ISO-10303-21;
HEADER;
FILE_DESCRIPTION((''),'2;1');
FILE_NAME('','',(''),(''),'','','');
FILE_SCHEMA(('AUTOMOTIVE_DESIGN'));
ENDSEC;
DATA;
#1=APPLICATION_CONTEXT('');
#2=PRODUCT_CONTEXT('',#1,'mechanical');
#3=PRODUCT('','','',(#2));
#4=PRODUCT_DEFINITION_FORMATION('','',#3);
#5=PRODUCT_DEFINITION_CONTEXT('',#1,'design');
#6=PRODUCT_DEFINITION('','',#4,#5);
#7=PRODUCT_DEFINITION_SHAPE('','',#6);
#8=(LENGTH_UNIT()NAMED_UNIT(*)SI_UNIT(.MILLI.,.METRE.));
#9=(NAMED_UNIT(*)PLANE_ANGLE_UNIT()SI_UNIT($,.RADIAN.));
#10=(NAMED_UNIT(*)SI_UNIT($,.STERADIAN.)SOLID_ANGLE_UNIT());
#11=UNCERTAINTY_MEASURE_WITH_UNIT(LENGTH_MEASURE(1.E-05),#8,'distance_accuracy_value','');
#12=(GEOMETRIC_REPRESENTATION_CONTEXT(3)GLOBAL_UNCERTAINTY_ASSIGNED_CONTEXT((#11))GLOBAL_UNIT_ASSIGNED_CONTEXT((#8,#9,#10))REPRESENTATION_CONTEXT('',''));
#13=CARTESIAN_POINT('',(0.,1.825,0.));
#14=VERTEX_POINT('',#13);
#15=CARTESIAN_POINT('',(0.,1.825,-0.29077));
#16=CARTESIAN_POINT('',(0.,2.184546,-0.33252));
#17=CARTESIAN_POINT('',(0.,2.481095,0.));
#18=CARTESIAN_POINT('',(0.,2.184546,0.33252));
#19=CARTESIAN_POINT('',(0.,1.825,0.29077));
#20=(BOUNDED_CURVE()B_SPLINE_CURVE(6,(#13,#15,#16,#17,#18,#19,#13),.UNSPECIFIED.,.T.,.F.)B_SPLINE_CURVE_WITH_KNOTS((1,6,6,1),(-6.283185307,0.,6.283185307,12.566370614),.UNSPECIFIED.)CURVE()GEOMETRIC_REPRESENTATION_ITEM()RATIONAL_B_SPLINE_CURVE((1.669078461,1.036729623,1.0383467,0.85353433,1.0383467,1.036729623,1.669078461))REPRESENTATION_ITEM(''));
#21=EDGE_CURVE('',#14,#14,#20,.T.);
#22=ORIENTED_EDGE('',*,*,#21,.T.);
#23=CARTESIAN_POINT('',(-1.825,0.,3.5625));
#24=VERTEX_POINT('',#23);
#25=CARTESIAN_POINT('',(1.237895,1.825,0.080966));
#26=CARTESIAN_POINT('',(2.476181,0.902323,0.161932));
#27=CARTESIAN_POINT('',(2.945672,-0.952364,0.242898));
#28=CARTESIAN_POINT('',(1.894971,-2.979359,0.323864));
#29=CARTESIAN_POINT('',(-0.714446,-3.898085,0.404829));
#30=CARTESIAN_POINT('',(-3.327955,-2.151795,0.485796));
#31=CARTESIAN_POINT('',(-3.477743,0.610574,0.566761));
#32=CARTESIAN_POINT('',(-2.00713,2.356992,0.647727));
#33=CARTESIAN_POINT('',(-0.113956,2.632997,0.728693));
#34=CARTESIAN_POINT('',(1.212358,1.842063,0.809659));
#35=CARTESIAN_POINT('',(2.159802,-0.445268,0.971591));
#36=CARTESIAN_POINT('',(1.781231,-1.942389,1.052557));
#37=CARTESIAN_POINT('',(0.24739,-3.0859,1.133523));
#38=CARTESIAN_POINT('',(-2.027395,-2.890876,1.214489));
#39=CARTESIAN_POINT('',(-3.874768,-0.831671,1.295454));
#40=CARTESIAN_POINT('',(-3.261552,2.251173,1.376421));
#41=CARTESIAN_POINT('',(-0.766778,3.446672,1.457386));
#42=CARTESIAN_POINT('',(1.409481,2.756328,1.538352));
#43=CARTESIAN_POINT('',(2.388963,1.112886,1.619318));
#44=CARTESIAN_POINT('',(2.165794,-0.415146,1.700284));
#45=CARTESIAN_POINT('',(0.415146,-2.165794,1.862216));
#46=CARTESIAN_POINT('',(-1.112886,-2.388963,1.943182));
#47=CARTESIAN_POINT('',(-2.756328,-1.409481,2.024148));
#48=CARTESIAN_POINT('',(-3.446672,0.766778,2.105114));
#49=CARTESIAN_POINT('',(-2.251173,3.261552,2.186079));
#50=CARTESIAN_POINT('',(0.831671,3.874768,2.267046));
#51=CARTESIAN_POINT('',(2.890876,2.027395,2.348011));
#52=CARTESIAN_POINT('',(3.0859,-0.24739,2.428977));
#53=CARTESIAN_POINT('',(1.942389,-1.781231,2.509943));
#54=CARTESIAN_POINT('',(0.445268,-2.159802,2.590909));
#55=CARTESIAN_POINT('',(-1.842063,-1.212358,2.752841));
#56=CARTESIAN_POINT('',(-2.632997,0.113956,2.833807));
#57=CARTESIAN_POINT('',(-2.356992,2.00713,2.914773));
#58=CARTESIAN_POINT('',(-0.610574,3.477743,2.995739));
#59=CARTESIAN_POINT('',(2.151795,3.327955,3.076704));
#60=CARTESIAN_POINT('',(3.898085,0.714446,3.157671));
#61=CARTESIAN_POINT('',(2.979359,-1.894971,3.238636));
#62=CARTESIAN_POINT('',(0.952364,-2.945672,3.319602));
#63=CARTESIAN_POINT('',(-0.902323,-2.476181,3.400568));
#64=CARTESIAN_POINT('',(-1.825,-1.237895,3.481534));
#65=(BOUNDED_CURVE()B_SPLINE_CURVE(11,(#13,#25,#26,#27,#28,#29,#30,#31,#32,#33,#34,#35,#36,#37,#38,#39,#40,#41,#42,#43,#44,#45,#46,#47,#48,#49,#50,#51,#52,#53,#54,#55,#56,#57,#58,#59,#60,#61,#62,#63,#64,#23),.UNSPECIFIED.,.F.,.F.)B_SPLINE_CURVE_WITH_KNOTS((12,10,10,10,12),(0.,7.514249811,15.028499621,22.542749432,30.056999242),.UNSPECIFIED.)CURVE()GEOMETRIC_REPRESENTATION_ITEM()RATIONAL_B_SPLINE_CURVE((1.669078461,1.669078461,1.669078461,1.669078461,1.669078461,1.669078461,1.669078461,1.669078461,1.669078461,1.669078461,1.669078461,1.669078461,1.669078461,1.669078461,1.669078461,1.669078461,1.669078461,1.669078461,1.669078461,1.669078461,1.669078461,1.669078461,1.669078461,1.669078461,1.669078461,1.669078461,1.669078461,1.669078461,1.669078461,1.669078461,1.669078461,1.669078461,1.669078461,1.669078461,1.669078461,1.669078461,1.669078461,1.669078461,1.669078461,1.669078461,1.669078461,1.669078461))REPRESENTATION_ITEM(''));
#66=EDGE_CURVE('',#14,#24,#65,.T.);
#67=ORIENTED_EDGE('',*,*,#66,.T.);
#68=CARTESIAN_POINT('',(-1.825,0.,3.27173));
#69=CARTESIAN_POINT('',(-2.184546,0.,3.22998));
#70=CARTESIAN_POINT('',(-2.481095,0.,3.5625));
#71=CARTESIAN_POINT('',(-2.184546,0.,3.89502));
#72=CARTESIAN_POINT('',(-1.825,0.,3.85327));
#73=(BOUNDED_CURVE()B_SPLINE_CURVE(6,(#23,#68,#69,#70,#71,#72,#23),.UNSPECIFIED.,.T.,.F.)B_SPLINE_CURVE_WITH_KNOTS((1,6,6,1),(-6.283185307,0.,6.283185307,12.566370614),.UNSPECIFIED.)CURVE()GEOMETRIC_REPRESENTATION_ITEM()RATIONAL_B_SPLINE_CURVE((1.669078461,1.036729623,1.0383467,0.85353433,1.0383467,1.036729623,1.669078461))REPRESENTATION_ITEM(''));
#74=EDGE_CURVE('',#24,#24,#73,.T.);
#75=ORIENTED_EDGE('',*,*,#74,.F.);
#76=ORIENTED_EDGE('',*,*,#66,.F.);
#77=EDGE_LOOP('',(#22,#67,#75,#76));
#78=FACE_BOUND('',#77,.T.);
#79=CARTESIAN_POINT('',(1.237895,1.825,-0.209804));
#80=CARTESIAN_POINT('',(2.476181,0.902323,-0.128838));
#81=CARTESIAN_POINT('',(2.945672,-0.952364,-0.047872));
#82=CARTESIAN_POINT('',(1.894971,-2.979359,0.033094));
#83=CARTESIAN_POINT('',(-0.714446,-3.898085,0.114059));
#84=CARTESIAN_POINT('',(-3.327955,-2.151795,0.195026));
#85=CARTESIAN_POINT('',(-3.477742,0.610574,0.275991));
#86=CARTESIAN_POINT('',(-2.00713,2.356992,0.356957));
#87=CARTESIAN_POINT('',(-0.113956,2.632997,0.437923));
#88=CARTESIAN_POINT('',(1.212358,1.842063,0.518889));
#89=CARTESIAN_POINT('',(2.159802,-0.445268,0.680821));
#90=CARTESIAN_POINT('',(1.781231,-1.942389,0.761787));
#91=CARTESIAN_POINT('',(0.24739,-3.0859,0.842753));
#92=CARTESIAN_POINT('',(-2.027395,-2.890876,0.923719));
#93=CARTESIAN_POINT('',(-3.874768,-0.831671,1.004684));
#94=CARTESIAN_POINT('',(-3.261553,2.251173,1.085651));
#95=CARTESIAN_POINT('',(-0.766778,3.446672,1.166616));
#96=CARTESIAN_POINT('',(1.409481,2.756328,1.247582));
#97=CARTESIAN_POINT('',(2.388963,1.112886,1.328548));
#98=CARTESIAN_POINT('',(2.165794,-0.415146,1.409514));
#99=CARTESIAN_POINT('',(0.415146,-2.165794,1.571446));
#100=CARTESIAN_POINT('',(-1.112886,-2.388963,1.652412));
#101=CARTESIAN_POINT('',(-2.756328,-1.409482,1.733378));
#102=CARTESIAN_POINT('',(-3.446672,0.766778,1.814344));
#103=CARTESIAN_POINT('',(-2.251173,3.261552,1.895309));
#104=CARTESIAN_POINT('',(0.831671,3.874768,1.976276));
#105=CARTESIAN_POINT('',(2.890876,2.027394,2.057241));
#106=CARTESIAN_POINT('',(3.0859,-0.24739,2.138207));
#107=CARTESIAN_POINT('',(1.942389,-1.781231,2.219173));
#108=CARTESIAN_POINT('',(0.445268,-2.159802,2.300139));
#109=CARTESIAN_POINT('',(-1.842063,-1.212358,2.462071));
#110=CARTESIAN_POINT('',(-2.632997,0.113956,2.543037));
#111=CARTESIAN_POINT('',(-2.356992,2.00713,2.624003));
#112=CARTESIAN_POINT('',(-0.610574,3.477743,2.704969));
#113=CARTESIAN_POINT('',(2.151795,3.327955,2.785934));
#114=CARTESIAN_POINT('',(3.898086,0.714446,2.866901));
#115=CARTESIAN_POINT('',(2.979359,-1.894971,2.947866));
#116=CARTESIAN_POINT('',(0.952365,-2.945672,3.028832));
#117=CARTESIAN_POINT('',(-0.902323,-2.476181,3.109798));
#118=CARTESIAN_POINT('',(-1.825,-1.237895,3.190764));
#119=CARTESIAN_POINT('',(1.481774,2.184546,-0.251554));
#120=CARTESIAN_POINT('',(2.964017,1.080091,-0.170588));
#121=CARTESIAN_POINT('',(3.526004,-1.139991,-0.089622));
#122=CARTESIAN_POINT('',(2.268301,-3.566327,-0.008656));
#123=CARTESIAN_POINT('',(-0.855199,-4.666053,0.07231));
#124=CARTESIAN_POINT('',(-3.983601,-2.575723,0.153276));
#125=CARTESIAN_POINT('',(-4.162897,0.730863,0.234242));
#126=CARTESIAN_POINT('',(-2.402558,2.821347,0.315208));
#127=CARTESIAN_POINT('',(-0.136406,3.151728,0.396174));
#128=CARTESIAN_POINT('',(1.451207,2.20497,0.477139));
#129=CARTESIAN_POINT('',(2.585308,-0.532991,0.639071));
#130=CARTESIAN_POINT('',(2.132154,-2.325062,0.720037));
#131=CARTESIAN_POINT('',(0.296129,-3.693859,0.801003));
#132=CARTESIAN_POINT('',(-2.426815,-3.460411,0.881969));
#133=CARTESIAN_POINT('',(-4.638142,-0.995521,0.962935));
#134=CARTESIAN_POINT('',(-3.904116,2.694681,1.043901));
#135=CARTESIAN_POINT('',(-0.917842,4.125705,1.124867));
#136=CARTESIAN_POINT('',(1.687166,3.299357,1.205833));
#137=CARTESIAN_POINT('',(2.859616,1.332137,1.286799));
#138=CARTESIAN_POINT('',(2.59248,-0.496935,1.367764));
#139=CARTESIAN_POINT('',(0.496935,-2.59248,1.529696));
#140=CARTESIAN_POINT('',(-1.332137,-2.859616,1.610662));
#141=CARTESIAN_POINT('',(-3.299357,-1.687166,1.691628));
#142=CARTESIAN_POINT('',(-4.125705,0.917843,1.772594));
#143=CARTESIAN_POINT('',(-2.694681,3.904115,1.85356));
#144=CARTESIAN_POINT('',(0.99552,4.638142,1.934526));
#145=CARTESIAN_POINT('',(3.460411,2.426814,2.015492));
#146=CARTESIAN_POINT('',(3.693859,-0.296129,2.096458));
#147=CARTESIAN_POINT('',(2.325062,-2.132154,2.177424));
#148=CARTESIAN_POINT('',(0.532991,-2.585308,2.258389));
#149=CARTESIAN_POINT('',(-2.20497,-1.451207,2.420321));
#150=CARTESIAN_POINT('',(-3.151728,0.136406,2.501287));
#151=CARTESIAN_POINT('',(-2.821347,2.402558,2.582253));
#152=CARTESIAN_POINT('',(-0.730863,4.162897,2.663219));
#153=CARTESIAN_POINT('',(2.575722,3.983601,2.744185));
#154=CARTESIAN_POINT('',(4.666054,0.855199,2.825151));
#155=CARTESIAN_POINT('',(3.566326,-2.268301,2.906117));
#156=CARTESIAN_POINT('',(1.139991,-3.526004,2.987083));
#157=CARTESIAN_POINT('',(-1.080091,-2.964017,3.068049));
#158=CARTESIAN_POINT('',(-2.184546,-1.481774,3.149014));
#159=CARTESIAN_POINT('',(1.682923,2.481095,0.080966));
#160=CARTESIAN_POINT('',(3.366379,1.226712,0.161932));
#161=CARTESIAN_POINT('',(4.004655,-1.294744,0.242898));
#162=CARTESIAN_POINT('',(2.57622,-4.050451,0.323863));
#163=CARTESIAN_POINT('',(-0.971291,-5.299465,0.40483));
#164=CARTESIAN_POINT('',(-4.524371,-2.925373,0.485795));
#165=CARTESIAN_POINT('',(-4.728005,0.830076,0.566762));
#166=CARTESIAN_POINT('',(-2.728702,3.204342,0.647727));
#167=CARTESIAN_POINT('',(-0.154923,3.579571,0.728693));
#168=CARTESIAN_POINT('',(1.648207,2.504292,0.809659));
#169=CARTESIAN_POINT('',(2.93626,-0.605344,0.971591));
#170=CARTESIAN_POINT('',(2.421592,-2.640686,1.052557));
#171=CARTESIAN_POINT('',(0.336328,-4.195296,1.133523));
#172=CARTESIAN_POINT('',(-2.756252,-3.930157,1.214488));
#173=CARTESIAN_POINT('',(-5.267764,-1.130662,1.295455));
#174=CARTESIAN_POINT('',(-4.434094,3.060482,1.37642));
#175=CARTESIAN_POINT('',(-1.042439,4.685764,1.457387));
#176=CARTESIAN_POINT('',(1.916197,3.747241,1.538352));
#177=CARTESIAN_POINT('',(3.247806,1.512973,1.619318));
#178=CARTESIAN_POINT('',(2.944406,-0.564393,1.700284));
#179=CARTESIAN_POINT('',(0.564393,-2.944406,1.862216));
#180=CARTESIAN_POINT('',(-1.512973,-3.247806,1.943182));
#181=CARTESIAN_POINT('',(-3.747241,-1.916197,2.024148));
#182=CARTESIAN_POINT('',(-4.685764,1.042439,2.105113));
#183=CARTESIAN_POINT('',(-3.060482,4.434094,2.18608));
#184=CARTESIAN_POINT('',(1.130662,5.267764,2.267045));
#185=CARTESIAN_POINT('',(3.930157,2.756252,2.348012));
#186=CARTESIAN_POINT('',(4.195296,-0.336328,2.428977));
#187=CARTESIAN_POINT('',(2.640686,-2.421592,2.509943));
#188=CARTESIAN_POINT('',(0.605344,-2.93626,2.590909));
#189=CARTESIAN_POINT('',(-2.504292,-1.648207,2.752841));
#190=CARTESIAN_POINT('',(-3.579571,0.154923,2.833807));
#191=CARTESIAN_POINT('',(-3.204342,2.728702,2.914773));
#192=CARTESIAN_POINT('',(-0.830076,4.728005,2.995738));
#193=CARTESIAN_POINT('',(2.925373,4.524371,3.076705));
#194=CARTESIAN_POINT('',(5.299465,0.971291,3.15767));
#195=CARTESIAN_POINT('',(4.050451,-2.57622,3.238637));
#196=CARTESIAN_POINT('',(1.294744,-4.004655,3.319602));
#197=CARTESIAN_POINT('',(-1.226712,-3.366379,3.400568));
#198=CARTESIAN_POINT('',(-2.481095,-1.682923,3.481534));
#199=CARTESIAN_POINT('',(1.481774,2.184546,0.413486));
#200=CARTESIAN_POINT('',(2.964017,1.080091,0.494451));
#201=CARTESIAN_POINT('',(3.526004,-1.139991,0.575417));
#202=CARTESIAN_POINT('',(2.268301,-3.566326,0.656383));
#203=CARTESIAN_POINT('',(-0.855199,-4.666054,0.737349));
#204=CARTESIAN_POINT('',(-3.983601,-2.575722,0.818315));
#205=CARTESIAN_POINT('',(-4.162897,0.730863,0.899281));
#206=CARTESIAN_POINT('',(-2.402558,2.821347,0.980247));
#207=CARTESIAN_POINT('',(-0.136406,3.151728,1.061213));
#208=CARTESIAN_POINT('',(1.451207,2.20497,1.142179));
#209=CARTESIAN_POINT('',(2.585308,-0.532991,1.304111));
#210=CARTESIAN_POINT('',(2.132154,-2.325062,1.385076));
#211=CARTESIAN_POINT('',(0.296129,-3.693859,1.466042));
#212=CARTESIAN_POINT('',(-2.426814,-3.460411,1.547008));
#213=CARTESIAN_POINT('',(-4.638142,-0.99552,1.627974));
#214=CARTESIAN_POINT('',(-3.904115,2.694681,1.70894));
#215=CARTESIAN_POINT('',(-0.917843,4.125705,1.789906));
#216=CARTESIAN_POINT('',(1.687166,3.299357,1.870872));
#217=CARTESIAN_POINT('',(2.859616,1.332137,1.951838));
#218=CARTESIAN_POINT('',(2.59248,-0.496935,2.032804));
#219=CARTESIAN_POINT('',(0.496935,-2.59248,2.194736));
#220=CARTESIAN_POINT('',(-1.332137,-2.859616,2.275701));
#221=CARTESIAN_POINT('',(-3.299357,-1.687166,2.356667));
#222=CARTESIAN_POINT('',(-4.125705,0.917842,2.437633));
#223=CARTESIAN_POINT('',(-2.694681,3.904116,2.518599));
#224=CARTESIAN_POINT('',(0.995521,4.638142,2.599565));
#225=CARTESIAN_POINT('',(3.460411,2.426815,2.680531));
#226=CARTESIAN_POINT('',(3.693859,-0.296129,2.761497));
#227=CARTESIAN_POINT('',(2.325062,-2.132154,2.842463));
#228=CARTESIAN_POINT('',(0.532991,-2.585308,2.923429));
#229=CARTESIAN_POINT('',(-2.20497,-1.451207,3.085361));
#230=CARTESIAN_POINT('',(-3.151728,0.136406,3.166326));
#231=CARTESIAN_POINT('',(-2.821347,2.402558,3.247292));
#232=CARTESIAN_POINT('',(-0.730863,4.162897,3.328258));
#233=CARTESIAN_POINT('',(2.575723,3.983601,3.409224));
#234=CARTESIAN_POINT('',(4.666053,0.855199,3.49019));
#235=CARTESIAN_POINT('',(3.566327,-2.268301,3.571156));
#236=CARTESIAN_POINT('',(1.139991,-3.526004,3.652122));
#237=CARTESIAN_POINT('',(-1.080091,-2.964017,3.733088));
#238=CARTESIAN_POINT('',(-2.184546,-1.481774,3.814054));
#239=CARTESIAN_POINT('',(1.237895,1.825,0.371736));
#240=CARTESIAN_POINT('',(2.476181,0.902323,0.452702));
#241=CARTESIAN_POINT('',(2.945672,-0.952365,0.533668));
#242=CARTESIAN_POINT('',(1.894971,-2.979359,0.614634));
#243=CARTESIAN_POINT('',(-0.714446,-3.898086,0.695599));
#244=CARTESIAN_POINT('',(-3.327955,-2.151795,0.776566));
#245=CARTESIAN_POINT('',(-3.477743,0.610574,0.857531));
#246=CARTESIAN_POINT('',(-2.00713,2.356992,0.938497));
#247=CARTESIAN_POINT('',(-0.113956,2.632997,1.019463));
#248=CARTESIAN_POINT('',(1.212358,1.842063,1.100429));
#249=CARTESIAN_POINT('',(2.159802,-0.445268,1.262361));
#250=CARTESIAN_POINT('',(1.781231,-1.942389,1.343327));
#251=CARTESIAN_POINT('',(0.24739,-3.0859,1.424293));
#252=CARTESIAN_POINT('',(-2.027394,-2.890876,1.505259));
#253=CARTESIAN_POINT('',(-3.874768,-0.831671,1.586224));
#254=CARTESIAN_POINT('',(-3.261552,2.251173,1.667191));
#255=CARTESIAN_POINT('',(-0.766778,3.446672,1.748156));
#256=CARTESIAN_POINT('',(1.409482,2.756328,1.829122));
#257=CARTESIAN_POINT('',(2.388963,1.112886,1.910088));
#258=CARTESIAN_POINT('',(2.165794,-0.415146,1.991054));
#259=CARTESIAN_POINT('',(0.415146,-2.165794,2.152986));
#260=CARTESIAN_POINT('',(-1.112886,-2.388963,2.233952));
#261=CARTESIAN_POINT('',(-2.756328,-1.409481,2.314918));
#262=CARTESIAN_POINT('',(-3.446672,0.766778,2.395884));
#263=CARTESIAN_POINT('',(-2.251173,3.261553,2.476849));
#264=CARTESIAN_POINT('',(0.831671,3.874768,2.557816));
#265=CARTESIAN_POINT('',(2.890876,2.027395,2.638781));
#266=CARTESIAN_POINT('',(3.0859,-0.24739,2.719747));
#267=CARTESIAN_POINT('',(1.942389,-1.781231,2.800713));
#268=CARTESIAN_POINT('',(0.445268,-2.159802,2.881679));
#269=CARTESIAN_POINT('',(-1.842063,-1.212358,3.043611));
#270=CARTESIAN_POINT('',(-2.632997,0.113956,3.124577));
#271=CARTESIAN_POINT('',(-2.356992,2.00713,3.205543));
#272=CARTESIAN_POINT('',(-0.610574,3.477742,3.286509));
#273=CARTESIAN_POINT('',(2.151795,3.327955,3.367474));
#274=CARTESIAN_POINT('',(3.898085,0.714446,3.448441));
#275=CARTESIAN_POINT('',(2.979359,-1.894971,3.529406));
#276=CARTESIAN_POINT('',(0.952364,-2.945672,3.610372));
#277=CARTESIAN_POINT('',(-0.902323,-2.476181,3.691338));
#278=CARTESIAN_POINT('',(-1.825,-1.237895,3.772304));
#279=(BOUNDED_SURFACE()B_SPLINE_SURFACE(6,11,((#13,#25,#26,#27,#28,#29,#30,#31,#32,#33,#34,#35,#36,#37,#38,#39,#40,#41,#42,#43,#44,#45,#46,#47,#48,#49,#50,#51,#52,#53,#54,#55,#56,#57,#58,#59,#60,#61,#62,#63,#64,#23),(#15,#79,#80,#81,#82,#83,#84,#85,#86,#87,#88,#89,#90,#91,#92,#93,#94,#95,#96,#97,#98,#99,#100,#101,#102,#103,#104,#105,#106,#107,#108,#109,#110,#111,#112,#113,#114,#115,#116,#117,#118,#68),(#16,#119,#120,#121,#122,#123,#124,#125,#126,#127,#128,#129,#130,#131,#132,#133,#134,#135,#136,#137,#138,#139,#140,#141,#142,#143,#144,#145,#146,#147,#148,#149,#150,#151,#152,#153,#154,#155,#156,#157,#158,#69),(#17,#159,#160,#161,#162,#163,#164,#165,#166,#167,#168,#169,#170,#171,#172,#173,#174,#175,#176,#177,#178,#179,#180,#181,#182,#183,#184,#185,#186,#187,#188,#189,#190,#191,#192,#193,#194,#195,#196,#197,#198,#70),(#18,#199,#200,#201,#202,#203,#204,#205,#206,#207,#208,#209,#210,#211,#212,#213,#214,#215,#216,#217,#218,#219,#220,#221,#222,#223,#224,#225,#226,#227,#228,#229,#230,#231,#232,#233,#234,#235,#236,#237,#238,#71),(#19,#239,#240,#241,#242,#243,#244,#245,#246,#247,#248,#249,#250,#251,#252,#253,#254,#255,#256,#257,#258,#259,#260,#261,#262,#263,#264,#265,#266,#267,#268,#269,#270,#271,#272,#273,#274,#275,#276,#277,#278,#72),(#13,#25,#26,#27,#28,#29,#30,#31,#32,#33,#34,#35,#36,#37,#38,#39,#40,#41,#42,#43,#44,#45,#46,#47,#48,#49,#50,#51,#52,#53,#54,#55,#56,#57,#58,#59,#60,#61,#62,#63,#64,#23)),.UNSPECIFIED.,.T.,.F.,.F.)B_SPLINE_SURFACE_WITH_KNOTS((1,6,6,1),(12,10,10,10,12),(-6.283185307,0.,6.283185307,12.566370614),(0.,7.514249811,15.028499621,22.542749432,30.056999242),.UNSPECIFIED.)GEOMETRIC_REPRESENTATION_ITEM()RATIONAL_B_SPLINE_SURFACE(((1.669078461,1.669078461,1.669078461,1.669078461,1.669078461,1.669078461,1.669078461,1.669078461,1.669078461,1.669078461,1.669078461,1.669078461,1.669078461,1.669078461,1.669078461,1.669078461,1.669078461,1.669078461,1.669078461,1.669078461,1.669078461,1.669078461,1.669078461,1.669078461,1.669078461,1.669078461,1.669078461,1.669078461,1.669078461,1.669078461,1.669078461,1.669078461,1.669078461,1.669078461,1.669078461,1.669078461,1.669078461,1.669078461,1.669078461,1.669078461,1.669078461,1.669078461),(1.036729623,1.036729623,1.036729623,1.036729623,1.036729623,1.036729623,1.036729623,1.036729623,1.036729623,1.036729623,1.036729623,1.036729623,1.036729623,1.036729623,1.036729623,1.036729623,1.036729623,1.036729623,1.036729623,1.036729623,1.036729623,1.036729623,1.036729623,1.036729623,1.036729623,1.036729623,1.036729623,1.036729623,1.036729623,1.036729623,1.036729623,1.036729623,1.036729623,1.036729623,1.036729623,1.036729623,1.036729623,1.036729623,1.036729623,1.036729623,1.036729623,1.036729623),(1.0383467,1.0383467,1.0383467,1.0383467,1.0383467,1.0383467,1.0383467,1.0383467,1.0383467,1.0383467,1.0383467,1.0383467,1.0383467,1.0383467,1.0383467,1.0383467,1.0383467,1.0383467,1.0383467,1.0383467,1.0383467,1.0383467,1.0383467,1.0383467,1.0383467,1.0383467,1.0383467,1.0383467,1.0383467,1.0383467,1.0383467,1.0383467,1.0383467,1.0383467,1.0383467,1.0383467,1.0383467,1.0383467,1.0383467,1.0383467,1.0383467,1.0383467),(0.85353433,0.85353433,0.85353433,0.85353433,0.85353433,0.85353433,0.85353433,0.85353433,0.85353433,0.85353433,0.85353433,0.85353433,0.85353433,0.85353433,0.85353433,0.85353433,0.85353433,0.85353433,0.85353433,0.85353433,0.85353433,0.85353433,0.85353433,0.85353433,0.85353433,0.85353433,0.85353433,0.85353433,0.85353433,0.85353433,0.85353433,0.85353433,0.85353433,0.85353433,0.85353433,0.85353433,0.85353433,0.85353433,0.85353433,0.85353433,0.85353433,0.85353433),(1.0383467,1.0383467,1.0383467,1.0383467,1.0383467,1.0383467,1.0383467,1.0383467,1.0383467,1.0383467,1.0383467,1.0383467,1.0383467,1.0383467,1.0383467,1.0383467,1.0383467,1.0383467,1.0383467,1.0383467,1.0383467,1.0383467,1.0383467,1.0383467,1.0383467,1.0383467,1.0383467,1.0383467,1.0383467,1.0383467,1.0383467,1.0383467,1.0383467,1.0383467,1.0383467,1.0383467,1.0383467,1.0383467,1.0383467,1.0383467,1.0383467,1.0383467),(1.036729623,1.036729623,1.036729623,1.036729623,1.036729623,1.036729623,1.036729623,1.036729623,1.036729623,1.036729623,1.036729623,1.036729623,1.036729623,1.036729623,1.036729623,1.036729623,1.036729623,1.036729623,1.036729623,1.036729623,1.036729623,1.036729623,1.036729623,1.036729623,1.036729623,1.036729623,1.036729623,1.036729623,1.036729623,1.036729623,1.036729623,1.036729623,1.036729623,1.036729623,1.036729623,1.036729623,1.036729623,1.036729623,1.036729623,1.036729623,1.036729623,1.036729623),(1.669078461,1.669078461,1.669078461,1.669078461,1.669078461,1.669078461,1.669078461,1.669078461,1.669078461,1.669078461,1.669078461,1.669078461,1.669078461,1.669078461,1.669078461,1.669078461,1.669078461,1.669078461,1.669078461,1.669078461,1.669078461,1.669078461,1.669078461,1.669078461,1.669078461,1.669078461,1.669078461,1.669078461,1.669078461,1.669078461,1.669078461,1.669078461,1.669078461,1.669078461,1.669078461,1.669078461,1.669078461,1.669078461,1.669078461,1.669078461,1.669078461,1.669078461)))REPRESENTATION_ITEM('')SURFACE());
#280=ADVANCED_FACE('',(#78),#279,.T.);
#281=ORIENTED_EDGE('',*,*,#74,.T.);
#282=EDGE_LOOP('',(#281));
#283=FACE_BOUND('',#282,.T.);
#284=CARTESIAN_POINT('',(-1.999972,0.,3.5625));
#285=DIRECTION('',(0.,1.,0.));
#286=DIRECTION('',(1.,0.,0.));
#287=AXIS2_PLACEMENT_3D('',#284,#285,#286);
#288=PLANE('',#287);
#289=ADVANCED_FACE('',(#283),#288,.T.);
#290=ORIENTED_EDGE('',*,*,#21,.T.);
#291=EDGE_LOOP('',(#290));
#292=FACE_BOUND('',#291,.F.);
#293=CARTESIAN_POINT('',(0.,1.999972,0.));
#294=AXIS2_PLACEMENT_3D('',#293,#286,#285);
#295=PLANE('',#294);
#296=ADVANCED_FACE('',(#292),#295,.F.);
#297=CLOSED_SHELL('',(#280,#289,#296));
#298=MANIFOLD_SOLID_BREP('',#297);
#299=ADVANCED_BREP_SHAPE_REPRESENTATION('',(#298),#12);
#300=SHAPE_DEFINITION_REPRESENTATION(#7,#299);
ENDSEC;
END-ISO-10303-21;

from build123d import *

# Parameters (mm, degrees)
SWEEP1_PITCH       = 0.75
SWEEP1_HEIGHT      = 3.5625
SWEEP1_RADIUS      = 2
SWEEP1_START_ANGLE = 90
SKETCH3_R          = 0.175


with BuildPart() as part:
    # Sweep1: sweep along a helix
    with BuildLine() as sweep1_path:
        add(Helix(SWEEP1_PITCH, SWEEP1_HEIGHT, SWEEP1_RADIUS, center=(0, 0, 0), direction=(0, 0, 1), lefthand=True, mode=Mode.PRIVATE).rotate(Axis((0, 0, 0), (0, 0, 1)), SWEEP1_START_ANGLE))
    # Sketch3 → Sweep1 (sweep)
    with BuildSketch(Plane(origin=(0, 0, 0), x_dir=(1, 0, 0), z_dir=(0, 1, 0))):
        with Locations((-2, -3.5625)):
            Circle(SKETCH3_R)
    sweep(path=sweep1_path.line, is_frenet=True)


solid = part.part
